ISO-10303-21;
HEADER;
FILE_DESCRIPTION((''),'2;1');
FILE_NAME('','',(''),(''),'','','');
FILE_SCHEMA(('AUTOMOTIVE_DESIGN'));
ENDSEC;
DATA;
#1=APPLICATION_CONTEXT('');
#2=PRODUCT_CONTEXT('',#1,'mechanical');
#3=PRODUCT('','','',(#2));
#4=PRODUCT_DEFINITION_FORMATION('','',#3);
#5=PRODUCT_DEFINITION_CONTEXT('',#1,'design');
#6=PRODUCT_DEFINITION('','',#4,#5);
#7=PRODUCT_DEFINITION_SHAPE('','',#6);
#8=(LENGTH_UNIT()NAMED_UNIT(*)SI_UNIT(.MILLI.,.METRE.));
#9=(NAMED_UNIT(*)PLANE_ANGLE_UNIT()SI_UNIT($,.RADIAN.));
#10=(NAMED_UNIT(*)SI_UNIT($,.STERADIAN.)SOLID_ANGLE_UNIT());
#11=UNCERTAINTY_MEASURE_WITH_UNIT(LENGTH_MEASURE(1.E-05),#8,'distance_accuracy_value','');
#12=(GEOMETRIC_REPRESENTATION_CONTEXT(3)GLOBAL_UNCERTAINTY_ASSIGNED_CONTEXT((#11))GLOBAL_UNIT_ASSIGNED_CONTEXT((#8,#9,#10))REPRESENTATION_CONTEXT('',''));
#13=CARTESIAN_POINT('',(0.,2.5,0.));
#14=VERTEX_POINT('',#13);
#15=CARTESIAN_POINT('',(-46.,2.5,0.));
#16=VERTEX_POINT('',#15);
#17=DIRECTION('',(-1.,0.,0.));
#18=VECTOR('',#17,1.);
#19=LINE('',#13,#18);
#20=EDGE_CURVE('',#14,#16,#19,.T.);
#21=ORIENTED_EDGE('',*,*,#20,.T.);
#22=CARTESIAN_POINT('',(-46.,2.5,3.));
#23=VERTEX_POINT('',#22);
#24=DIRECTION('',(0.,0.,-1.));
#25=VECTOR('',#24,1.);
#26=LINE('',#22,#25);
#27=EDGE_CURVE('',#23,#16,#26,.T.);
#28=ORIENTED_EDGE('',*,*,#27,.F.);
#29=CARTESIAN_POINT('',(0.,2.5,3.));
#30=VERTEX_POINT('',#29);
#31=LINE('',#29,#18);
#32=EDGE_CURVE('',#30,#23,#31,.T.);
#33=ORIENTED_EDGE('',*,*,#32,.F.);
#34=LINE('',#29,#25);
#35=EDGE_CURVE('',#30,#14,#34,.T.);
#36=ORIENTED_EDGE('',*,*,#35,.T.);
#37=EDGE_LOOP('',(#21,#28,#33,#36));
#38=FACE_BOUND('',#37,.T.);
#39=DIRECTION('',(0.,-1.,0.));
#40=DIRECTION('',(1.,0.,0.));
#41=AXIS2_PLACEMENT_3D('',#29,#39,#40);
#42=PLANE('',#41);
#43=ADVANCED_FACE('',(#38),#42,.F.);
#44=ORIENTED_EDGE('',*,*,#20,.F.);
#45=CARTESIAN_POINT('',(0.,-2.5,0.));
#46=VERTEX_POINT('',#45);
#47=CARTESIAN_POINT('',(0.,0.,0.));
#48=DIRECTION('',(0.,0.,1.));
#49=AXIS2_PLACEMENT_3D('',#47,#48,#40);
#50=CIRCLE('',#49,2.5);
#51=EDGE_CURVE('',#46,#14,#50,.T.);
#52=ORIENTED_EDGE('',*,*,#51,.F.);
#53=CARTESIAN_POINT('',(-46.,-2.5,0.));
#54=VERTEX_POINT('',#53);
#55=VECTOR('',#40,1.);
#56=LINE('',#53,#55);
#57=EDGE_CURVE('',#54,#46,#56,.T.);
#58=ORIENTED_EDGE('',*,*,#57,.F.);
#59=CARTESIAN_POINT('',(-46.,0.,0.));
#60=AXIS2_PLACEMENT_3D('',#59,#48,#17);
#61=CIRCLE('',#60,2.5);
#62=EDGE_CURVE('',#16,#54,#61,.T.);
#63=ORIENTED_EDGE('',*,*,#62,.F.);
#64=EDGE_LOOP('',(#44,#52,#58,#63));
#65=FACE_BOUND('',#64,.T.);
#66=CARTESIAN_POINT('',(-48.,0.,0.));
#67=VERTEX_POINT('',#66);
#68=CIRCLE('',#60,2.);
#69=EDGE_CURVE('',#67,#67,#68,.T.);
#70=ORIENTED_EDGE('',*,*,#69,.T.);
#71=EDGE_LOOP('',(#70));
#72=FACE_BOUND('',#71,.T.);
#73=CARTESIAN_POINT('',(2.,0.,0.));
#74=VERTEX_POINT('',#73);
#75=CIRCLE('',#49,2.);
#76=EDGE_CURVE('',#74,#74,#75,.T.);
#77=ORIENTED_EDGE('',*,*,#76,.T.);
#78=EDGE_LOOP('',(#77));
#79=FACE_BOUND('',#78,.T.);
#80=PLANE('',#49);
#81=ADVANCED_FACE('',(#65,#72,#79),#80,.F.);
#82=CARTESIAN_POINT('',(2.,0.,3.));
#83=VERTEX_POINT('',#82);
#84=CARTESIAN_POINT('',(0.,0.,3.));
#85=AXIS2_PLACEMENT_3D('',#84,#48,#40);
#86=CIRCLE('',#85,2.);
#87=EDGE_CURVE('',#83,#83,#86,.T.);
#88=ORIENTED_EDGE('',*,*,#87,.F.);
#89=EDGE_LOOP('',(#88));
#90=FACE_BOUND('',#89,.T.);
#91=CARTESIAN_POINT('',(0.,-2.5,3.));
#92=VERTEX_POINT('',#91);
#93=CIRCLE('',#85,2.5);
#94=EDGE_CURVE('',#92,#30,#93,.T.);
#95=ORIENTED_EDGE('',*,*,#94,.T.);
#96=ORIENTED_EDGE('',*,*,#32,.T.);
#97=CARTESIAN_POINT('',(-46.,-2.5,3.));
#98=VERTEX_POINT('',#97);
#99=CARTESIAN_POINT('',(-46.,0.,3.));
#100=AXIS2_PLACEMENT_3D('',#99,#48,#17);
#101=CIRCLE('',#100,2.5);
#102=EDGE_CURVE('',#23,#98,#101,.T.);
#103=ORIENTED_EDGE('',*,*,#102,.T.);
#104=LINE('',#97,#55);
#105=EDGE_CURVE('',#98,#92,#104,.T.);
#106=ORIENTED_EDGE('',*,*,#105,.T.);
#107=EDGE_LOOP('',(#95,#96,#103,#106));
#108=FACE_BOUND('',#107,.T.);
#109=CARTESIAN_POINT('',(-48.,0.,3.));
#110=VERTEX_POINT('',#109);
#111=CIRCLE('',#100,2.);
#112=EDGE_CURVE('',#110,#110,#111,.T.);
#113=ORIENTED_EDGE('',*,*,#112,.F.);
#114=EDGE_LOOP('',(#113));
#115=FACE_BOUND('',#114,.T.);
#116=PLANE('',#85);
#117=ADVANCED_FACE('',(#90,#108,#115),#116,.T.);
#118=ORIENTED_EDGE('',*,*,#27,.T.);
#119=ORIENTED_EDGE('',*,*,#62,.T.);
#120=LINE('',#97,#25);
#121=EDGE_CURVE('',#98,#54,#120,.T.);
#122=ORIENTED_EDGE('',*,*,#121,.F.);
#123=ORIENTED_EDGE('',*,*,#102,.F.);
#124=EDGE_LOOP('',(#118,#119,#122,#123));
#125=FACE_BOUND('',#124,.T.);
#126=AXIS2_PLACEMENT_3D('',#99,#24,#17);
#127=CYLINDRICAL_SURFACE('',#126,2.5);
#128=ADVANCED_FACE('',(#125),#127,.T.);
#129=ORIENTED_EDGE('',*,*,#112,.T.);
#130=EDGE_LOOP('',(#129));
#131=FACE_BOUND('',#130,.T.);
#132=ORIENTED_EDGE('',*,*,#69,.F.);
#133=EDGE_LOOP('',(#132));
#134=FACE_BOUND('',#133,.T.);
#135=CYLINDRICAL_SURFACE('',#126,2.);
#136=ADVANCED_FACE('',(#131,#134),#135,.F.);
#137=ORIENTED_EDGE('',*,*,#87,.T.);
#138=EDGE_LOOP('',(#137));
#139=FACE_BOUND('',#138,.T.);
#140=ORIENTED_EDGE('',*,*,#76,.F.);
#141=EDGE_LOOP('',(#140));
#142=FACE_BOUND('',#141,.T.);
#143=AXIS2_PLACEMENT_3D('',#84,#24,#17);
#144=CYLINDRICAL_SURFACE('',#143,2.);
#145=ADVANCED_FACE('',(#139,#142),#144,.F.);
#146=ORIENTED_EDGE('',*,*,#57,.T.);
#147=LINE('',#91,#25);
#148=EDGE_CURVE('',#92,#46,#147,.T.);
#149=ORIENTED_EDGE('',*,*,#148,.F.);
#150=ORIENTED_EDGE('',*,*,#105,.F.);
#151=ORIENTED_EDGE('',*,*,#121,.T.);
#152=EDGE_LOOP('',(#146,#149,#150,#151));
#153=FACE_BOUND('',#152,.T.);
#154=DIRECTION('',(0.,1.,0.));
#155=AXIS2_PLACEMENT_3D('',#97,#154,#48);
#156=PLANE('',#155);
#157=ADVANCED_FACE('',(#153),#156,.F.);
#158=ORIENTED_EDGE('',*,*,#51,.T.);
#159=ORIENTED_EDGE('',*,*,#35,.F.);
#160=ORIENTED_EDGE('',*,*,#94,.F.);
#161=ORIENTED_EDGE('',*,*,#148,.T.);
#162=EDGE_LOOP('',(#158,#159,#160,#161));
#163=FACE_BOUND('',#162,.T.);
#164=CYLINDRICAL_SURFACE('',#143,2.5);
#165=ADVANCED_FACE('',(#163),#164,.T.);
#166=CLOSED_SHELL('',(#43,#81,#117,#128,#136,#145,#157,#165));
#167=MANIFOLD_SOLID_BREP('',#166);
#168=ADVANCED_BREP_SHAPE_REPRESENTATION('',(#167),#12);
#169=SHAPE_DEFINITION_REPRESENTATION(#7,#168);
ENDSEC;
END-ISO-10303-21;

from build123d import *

# Parameters (mm, degrees)
SKETCH_1_R      = 2
EXTRUDE_1_DEPTH = 3


with BuildPart() as part:
    # 草图1 → 凸台-拉伸1 (new body)
    with BuildSketch(Plane.XY):
        with BuildLine():
            Line((0, 2.5), (-46, 2.5))
            ThreePointArc((-46, 2.5), (-48.5, 0), (-46, -2.5))
            Line((-46, -2.5), (0, -2.5))
            ThreePointArc((0, -2.5), (2.5, 0), (0, 2.5))
        make_face()
        Circle(SKETCH_1_R, mode=Mode.SUBTRACT)
        with Locations(Location((-46, 0, 0), (0, 0, 180))):
            Circle(SKETCH_1_R, mode=Mode.SUBTRACT)
    extrude(amount=EXTRUDE_1_DEPTH)


solid = part.part
